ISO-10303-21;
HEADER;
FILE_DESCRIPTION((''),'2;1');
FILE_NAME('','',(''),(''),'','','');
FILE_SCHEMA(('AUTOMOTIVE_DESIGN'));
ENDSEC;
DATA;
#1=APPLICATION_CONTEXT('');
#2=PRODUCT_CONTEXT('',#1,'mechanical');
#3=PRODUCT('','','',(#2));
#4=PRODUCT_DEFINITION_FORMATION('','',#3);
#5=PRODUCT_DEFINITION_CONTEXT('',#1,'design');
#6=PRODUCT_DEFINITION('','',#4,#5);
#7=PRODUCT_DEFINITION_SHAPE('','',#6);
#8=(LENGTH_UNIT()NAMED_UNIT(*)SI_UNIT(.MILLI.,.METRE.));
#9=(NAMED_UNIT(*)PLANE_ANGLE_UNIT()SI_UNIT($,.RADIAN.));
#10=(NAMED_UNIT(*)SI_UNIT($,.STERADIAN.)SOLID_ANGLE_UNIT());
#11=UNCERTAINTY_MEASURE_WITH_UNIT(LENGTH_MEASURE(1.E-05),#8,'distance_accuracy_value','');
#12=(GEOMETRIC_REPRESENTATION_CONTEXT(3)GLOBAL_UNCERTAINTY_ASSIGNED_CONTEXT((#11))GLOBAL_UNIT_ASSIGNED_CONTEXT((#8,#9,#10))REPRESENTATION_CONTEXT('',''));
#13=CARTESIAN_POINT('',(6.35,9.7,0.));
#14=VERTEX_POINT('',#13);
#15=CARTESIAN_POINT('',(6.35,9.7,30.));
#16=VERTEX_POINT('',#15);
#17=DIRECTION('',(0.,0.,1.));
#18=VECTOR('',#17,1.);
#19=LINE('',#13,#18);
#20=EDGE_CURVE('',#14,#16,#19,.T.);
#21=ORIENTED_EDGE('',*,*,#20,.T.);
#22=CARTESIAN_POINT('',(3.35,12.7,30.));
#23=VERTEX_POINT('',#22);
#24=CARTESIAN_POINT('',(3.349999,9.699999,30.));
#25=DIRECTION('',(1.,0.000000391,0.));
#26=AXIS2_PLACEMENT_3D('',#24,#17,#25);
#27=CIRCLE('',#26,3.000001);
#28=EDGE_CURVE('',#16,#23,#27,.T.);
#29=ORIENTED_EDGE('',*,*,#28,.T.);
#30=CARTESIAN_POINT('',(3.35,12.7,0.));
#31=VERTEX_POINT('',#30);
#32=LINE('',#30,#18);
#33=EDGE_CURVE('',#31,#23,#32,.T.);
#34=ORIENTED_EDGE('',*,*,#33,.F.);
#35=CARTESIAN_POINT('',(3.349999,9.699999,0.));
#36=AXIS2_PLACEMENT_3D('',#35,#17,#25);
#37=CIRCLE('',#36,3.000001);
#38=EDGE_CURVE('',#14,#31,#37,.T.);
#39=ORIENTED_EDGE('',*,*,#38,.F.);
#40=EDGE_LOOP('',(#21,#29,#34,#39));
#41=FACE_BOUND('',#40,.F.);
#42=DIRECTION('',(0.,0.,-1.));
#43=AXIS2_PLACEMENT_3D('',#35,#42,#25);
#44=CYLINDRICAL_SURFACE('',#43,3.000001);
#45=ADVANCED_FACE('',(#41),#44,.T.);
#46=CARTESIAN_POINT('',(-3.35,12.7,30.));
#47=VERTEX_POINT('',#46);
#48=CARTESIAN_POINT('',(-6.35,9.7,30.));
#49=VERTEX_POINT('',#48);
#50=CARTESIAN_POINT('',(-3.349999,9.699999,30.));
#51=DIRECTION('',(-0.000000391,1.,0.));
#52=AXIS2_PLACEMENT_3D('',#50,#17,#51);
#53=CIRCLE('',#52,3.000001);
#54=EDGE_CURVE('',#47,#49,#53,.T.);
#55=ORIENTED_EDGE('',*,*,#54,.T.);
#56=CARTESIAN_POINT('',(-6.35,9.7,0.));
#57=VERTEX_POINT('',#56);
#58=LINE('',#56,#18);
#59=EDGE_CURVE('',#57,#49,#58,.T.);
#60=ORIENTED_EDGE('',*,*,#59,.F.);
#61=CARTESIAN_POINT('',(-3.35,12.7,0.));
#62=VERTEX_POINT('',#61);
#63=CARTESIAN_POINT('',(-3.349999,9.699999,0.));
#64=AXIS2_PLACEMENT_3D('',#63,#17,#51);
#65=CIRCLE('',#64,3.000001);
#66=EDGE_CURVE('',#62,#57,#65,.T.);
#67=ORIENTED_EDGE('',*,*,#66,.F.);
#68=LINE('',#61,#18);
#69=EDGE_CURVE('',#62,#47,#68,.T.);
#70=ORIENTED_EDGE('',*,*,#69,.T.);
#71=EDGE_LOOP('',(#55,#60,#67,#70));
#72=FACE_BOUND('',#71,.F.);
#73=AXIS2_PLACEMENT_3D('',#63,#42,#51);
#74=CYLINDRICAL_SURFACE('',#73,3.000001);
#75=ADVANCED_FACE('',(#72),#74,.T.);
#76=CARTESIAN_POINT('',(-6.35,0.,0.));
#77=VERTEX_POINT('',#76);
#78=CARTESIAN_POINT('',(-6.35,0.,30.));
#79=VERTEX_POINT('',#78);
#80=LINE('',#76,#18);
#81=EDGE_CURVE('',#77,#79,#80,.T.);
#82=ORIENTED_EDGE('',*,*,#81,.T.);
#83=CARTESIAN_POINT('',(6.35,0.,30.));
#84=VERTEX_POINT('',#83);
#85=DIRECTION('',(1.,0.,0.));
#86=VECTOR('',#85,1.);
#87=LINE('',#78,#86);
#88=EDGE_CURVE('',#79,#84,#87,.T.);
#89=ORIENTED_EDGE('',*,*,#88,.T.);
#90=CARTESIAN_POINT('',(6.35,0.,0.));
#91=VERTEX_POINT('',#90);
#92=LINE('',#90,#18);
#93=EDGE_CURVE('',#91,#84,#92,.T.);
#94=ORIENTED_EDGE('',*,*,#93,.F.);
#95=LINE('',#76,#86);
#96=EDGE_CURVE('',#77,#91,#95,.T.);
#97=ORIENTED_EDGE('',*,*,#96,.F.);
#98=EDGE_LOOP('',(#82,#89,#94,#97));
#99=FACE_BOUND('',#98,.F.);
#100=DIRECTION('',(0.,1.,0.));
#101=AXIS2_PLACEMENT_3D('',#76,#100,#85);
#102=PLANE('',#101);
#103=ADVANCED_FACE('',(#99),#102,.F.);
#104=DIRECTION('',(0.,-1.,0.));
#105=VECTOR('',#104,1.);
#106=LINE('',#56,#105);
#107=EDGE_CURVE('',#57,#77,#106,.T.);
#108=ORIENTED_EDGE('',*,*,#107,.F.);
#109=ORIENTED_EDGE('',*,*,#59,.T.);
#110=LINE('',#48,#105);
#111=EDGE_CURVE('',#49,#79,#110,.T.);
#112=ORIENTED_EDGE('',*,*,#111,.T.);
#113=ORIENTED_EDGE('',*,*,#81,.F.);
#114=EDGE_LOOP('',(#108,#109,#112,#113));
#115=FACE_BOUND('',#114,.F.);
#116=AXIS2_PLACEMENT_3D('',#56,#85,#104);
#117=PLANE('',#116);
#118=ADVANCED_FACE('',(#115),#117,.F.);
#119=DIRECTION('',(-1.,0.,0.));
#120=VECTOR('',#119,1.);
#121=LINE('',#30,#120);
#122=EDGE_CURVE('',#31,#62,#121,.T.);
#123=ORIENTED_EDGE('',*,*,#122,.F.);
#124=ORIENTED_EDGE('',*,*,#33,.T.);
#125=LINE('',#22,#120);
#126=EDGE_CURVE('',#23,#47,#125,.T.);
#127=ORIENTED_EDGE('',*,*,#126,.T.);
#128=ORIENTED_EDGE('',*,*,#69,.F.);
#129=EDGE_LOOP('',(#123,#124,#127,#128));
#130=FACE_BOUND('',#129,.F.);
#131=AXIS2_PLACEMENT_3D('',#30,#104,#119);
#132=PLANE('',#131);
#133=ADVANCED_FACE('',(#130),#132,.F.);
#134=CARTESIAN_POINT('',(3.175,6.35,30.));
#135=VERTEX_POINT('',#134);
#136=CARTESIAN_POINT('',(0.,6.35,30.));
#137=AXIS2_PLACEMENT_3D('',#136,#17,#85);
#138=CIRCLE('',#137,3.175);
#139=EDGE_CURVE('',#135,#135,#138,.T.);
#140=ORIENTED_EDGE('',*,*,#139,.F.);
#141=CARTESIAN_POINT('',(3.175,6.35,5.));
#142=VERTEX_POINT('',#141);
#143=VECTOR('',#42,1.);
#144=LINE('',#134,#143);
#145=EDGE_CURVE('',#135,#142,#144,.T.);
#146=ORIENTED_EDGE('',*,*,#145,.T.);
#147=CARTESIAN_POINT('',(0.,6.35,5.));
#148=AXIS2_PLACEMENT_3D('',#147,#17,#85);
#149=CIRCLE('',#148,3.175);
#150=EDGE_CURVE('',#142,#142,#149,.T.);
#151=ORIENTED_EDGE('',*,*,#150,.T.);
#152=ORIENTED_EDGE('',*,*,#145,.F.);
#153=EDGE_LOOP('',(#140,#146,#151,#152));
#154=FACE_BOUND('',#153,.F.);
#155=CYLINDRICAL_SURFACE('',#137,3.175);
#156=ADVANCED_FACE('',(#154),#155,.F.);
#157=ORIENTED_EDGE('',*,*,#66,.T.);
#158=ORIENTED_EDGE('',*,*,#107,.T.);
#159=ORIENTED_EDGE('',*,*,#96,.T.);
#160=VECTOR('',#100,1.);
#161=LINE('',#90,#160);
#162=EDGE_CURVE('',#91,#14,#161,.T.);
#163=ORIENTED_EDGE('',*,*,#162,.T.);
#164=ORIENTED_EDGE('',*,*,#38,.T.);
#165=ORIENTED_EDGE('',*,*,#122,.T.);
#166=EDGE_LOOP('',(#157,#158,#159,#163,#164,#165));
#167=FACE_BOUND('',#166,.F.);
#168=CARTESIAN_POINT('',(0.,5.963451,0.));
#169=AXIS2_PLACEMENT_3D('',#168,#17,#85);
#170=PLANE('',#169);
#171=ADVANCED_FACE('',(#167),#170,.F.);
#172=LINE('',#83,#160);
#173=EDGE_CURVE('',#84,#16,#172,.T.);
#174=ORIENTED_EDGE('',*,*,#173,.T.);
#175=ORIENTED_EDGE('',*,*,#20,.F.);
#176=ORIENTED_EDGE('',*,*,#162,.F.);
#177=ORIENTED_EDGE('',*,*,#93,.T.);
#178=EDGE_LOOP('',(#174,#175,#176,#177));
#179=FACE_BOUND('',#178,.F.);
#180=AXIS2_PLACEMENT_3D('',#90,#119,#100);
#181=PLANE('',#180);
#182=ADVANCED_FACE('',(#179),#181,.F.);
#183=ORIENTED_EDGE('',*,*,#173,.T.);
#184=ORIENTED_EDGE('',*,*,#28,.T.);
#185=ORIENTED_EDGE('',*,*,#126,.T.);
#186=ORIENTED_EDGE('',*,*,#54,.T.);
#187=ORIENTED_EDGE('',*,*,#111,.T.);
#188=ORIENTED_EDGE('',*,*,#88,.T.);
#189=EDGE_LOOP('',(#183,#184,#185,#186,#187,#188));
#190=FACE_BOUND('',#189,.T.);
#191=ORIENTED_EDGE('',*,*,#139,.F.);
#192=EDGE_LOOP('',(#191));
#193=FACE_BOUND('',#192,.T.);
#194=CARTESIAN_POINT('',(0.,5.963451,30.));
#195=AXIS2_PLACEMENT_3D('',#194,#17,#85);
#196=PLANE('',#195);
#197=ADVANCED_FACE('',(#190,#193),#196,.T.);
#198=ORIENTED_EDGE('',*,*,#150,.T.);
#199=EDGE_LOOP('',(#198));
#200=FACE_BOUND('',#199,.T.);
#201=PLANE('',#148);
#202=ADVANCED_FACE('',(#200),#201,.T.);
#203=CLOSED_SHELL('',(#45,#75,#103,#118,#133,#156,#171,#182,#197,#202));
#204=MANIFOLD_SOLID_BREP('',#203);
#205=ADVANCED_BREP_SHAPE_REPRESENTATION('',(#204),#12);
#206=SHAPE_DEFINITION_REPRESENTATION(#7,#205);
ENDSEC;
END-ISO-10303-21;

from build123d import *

# Parameters (mm, degrees)
PAD_DEPTH    = 30
SKETCH001_R  = 3.175
POCKET_DEPTH = 25


with BuildPart() as part:
    # Sketch → Pad (new body)
    with BuildSketch(Plane.XY):
        with BuildLine():
            Line((-6.35, 0), (6.35, 0))
            Line((6.35, 0), (6.35, 9.7))
            ThreePointArc((6.35, 9.7), (5.47132, 11.82132), (3.35, 12.7))
            Line((3.35, 12.7), (-3.35, 12.7))
            ThreePointArc((-3.35, 12.7), (-5.47132, 11.82132), (-6.35, 9.7))
            Line((-6.35, 9.7), (-6.35, 0))
        make_face()
    extrude(amount=PAD_DEPTH)

    # Sketch001 (on Face8 of Pad) → Pocket (cut)
    with BuildSketch(Plane.XY.offset(30)):
        with Locations((0, 6.35)):
            Circle(SKETCH001_R)
    extrude(amount=-POCKET_DEPTH, mode=Mode.SUBTRACT)


solid = part.part
